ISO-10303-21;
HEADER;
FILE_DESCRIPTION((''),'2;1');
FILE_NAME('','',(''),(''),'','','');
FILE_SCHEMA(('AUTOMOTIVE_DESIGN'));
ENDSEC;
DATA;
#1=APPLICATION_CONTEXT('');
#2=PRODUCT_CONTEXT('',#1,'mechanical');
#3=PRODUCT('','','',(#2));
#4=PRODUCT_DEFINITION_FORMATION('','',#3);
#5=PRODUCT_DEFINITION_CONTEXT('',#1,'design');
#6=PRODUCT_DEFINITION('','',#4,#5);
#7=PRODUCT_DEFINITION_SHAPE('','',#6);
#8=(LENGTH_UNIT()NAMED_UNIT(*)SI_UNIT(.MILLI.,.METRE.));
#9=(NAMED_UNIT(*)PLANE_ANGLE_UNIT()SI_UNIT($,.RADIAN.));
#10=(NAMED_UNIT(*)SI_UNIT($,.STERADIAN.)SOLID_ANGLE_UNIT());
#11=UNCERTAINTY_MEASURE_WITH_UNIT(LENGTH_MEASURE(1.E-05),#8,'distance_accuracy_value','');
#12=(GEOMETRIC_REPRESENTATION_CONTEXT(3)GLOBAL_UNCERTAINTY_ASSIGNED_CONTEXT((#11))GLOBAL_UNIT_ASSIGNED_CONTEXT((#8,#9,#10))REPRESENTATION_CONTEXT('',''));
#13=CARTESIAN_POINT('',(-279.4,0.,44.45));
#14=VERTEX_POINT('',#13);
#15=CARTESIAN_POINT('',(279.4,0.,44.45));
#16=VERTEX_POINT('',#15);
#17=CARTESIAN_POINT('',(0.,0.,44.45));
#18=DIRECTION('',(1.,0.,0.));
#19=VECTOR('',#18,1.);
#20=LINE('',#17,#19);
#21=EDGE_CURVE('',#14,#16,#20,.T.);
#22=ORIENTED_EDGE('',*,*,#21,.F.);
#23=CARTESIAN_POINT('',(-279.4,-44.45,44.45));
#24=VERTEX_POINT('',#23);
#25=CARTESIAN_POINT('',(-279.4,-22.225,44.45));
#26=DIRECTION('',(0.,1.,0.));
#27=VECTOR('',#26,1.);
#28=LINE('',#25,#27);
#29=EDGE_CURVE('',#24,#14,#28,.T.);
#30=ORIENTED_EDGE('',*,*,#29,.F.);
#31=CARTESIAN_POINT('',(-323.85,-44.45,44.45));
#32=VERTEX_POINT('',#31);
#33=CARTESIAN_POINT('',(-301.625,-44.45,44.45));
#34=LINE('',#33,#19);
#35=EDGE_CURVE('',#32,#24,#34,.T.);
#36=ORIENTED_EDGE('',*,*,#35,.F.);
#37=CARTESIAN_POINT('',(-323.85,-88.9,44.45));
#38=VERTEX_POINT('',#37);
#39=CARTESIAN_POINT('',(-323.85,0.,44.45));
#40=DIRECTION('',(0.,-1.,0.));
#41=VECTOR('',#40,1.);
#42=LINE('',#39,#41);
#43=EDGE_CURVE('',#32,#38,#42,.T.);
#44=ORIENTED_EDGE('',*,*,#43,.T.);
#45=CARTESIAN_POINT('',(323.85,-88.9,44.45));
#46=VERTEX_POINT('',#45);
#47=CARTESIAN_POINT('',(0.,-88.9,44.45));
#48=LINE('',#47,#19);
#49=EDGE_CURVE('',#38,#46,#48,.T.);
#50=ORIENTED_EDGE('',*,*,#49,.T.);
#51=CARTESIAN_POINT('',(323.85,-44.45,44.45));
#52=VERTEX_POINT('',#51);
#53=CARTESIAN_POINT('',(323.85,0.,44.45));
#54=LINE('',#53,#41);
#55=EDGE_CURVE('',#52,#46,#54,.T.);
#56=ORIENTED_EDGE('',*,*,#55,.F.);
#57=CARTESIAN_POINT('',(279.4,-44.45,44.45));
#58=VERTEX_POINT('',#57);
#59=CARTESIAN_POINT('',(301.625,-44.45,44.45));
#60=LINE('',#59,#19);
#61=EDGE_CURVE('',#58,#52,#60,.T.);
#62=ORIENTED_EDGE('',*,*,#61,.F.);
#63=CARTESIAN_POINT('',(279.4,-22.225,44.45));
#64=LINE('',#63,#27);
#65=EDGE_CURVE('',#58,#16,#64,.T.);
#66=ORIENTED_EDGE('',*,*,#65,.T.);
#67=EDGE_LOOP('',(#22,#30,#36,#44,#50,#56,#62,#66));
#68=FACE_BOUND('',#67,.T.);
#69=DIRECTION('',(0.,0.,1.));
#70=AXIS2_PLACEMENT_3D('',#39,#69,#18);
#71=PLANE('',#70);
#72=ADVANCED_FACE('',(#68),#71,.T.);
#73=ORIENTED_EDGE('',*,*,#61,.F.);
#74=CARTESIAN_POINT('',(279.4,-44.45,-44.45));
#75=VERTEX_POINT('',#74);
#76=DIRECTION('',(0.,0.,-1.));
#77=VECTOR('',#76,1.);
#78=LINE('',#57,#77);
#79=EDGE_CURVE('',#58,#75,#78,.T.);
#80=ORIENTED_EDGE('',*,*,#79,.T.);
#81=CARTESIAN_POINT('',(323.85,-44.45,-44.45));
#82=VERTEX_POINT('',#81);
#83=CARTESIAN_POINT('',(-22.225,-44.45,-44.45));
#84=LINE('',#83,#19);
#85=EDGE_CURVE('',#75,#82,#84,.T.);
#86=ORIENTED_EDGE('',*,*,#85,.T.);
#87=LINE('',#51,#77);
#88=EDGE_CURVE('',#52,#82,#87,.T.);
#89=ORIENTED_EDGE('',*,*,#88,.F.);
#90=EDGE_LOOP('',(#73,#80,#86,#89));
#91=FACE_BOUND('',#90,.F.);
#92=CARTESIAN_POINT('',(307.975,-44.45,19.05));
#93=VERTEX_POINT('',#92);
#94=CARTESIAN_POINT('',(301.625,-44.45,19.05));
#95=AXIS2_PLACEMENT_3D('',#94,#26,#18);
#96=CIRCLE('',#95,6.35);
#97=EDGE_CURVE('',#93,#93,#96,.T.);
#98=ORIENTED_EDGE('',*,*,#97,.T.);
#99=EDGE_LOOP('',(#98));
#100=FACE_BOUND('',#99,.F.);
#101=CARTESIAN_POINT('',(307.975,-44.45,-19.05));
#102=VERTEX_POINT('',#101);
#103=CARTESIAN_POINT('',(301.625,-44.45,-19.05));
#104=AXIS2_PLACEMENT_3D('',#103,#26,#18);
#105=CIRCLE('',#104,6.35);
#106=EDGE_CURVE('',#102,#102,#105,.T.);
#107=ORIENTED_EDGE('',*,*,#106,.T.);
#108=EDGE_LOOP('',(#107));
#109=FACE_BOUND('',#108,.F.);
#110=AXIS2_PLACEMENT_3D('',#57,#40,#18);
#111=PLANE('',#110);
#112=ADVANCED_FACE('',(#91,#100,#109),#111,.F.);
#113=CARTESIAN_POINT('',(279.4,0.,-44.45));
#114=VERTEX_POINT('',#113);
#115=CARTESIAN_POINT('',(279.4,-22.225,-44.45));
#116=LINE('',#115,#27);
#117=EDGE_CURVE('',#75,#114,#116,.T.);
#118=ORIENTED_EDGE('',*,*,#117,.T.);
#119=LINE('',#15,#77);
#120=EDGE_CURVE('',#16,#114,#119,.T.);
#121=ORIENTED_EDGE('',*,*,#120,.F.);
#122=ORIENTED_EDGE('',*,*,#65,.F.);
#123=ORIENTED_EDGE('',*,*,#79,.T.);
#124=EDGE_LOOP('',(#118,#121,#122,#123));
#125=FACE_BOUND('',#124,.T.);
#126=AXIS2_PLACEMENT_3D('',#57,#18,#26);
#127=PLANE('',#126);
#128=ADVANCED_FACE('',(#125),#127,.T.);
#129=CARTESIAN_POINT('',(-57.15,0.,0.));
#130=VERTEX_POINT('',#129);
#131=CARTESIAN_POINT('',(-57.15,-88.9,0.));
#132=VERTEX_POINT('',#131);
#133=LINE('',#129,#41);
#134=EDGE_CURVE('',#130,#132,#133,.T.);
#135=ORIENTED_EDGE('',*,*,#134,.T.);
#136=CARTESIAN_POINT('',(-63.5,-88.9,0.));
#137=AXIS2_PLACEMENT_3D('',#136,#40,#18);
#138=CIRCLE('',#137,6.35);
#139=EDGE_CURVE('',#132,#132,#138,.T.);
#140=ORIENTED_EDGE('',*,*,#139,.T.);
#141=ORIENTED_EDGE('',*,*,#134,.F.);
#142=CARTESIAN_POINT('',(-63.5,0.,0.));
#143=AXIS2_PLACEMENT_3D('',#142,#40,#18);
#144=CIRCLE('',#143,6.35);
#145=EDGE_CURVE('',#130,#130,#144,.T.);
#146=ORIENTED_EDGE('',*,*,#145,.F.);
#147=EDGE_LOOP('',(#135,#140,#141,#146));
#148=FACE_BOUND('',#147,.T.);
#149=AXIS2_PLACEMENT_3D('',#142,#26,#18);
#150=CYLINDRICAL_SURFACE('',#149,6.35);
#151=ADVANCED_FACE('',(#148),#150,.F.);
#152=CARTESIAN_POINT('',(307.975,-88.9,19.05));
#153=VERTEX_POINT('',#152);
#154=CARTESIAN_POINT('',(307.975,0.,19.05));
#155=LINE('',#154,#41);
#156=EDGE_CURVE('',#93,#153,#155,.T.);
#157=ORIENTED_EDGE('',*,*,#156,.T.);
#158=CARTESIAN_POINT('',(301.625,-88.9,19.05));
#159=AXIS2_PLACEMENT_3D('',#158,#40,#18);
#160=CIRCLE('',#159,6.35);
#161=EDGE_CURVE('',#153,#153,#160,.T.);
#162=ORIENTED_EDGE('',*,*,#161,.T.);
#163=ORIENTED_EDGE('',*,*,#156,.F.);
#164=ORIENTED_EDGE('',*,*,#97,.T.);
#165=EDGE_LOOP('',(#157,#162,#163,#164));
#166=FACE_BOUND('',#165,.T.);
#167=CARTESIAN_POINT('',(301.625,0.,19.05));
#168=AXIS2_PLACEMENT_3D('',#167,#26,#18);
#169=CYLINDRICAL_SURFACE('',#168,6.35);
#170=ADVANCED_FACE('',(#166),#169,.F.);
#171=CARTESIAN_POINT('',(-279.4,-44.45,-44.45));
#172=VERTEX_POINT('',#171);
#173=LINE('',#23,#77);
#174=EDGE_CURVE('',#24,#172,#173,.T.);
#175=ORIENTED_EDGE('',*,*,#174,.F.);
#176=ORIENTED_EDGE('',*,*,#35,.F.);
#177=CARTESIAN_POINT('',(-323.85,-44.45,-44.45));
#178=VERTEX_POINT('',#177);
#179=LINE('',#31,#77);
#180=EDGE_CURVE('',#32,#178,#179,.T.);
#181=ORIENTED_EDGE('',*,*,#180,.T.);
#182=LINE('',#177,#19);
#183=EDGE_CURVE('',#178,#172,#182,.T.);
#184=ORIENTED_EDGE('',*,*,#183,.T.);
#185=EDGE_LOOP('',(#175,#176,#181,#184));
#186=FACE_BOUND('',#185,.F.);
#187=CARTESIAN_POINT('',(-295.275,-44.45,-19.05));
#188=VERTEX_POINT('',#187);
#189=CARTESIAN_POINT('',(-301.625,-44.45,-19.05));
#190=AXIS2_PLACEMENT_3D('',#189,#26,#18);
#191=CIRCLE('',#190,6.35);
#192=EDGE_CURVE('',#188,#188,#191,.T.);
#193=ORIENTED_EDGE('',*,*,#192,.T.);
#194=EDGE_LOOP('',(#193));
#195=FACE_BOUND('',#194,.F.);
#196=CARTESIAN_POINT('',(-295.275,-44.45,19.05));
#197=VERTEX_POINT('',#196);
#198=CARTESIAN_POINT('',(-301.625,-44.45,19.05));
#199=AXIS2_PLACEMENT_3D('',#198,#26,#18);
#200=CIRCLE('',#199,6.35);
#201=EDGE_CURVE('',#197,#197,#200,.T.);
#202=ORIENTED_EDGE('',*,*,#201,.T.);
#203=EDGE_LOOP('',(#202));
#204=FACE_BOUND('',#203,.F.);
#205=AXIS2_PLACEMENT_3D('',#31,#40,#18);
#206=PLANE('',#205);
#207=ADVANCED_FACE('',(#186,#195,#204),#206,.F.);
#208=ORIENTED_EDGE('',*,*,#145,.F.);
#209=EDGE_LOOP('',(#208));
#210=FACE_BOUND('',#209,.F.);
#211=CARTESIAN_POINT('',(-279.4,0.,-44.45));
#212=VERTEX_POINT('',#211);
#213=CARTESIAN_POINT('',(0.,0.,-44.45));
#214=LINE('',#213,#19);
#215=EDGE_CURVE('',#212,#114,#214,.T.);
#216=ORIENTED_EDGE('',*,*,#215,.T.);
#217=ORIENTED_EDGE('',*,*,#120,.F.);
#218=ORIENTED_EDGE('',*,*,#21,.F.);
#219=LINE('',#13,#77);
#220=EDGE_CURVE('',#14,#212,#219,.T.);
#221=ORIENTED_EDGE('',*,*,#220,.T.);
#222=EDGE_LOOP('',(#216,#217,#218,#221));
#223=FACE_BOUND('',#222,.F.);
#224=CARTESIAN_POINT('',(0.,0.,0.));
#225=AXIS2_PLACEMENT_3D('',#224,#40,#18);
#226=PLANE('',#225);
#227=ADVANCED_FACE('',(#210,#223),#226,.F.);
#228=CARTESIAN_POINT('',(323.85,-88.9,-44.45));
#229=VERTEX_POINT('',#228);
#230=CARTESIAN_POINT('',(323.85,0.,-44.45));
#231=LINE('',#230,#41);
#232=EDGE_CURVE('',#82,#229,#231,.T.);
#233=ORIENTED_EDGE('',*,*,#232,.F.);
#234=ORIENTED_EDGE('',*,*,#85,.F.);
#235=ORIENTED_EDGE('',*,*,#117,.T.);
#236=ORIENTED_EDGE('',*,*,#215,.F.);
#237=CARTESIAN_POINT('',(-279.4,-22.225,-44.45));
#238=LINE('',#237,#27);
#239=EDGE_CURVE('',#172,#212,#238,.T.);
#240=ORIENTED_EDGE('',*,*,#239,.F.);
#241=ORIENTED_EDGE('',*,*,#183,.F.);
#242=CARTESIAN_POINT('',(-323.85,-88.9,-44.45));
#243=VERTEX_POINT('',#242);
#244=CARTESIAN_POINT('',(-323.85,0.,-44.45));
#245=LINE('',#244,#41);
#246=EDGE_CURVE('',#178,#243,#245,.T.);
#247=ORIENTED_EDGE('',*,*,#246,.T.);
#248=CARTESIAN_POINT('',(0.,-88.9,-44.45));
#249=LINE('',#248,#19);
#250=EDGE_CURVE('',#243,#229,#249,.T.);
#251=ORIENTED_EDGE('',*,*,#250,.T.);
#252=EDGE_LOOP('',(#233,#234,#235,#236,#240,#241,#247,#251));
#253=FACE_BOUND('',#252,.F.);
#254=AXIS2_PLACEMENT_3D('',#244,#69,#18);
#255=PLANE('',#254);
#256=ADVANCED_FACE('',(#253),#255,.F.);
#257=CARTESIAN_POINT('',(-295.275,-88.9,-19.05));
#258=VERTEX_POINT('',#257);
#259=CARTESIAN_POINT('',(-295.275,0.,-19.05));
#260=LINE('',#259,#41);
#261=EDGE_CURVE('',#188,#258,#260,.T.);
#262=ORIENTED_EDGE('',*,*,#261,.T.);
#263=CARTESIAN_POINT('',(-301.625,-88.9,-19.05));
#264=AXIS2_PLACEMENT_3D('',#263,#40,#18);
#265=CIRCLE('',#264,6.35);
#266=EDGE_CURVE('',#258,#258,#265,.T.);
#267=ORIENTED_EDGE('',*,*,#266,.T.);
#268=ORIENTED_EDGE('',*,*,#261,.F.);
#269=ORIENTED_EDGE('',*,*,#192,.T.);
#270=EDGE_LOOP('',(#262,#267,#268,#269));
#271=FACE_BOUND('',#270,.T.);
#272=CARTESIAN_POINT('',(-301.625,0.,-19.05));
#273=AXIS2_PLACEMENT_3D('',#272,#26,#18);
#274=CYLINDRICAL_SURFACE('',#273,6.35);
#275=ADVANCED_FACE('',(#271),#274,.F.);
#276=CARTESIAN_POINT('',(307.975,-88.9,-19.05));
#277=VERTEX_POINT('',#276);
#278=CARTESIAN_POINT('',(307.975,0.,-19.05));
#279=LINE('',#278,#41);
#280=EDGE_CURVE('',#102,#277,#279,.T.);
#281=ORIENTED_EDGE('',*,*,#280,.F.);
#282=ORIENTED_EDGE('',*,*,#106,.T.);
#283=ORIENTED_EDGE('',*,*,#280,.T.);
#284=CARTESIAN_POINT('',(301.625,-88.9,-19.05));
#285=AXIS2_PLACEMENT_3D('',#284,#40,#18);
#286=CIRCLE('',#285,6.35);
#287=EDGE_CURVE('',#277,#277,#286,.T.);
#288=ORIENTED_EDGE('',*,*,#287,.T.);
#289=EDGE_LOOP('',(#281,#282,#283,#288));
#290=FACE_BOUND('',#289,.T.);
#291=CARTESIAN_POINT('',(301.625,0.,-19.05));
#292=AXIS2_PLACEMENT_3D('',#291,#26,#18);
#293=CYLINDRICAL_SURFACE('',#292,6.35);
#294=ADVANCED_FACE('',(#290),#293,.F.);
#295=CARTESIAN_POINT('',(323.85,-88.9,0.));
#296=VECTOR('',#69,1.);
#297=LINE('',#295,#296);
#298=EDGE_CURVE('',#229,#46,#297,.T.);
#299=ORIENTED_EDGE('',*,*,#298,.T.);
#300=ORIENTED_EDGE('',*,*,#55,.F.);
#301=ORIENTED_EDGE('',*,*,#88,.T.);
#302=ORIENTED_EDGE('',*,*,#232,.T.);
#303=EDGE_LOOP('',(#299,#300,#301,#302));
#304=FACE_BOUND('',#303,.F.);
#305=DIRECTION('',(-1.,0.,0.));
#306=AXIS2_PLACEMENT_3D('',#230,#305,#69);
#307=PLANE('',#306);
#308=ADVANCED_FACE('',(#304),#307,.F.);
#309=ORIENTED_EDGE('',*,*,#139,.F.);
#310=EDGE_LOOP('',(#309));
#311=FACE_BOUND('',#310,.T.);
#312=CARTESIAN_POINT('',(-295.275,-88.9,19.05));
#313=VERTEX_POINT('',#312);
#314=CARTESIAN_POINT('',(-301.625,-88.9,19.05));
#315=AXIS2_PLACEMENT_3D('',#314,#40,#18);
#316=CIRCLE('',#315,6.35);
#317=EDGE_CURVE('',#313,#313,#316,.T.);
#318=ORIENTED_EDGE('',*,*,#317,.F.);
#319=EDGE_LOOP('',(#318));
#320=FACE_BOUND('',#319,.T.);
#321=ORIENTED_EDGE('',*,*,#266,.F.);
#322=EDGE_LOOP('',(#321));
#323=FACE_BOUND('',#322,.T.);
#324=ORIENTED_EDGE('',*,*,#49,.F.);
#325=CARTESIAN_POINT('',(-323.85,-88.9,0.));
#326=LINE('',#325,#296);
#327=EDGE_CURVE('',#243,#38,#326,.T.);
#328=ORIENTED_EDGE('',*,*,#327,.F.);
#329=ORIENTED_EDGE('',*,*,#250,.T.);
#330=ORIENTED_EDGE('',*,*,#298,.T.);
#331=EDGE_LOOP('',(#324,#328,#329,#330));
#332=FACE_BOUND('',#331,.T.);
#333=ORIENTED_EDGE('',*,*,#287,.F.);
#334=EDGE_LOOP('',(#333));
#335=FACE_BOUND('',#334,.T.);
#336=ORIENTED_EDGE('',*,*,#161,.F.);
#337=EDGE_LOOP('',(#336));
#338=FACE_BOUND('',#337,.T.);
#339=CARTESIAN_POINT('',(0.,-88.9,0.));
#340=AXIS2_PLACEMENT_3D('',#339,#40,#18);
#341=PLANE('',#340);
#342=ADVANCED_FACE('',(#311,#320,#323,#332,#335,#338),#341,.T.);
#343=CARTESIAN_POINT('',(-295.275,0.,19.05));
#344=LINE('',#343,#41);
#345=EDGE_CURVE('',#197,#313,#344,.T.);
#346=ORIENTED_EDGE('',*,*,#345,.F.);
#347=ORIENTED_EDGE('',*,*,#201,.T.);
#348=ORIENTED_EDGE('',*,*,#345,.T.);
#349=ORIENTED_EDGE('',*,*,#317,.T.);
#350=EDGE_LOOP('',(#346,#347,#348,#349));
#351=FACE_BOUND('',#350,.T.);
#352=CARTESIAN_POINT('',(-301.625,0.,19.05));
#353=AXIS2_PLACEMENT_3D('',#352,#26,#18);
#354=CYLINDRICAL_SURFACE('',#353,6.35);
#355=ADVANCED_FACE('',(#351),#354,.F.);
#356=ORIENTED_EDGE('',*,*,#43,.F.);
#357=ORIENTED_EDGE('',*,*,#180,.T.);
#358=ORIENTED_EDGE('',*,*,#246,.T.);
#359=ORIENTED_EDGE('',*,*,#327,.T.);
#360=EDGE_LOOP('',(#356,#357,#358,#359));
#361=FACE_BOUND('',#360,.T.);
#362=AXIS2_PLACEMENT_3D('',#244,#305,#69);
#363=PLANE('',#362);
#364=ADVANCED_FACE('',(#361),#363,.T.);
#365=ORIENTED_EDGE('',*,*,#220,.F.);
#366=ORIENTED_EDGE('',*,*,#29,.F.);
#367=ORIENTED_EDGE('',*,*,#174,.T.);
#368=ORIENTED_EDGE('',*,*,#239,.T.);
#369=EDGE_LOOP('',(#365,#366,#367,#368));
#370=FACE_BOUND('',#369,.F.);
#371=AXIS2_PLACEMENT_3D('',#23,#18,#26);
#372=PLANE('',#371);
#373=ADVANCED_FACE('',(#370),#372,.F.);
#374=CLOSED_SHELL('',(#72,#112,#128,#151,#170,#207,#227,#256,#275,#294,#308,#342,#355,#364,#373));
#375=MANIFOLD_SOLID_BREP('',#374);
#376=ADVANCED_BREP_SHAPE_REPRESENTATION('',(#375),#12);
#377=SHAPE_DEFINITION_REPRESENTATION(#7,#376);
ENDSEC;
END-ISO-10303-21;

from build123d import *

# Parameters (mm, degrees)
F0_W     = 647.7
F0_H     = 88.9
F0_R     = 6.35
F1_DEPTH = 88.9
F2_W     = 44.45
F2_H     = 44.45
F3_DEPTH = 101.6


with BuildPart() as f1:
    # F0 (on Front) → F1 (new body)
    with BuildSketch(Plane.XZ):
        Rectangle(F0_W, F0_H)
        with Locations((-301.625, -19.05)):
            Circle(F0_R, mode=Mode.SUBTRACT)
        with Locations((301.625, -19.05)):
            Circle(F0_R, mode=Mode.SUBTRACT)
        with Locations((-301.625, 19.05)):
            Circle(F0_R, mode=Mode.SUBTRACT)
        with Locations((-63.5, 0)):
            Circle(F0_R, mode=Mode.SUBTRACT)
        with Locations((301.625, 19.05)):
            Circle(F0_R, mode=Mode.SUBTRACT)
    extrude(amount=F1_DEPTH)

    # F2 (on face) → F3 (cut)
    with BuildSketch(Plane.XY.offset(44.45)):
        with Locations((-301.625, -22.225)):
            Rectangle(F2_W, F2_H)
        with Locations((301.625, -22.225)):
            Rectangle(F2_W, F2_H)
    extrude(amount=-F3_DEPTH, mode=Mode.SUBTRACT)


solid = f1.part
